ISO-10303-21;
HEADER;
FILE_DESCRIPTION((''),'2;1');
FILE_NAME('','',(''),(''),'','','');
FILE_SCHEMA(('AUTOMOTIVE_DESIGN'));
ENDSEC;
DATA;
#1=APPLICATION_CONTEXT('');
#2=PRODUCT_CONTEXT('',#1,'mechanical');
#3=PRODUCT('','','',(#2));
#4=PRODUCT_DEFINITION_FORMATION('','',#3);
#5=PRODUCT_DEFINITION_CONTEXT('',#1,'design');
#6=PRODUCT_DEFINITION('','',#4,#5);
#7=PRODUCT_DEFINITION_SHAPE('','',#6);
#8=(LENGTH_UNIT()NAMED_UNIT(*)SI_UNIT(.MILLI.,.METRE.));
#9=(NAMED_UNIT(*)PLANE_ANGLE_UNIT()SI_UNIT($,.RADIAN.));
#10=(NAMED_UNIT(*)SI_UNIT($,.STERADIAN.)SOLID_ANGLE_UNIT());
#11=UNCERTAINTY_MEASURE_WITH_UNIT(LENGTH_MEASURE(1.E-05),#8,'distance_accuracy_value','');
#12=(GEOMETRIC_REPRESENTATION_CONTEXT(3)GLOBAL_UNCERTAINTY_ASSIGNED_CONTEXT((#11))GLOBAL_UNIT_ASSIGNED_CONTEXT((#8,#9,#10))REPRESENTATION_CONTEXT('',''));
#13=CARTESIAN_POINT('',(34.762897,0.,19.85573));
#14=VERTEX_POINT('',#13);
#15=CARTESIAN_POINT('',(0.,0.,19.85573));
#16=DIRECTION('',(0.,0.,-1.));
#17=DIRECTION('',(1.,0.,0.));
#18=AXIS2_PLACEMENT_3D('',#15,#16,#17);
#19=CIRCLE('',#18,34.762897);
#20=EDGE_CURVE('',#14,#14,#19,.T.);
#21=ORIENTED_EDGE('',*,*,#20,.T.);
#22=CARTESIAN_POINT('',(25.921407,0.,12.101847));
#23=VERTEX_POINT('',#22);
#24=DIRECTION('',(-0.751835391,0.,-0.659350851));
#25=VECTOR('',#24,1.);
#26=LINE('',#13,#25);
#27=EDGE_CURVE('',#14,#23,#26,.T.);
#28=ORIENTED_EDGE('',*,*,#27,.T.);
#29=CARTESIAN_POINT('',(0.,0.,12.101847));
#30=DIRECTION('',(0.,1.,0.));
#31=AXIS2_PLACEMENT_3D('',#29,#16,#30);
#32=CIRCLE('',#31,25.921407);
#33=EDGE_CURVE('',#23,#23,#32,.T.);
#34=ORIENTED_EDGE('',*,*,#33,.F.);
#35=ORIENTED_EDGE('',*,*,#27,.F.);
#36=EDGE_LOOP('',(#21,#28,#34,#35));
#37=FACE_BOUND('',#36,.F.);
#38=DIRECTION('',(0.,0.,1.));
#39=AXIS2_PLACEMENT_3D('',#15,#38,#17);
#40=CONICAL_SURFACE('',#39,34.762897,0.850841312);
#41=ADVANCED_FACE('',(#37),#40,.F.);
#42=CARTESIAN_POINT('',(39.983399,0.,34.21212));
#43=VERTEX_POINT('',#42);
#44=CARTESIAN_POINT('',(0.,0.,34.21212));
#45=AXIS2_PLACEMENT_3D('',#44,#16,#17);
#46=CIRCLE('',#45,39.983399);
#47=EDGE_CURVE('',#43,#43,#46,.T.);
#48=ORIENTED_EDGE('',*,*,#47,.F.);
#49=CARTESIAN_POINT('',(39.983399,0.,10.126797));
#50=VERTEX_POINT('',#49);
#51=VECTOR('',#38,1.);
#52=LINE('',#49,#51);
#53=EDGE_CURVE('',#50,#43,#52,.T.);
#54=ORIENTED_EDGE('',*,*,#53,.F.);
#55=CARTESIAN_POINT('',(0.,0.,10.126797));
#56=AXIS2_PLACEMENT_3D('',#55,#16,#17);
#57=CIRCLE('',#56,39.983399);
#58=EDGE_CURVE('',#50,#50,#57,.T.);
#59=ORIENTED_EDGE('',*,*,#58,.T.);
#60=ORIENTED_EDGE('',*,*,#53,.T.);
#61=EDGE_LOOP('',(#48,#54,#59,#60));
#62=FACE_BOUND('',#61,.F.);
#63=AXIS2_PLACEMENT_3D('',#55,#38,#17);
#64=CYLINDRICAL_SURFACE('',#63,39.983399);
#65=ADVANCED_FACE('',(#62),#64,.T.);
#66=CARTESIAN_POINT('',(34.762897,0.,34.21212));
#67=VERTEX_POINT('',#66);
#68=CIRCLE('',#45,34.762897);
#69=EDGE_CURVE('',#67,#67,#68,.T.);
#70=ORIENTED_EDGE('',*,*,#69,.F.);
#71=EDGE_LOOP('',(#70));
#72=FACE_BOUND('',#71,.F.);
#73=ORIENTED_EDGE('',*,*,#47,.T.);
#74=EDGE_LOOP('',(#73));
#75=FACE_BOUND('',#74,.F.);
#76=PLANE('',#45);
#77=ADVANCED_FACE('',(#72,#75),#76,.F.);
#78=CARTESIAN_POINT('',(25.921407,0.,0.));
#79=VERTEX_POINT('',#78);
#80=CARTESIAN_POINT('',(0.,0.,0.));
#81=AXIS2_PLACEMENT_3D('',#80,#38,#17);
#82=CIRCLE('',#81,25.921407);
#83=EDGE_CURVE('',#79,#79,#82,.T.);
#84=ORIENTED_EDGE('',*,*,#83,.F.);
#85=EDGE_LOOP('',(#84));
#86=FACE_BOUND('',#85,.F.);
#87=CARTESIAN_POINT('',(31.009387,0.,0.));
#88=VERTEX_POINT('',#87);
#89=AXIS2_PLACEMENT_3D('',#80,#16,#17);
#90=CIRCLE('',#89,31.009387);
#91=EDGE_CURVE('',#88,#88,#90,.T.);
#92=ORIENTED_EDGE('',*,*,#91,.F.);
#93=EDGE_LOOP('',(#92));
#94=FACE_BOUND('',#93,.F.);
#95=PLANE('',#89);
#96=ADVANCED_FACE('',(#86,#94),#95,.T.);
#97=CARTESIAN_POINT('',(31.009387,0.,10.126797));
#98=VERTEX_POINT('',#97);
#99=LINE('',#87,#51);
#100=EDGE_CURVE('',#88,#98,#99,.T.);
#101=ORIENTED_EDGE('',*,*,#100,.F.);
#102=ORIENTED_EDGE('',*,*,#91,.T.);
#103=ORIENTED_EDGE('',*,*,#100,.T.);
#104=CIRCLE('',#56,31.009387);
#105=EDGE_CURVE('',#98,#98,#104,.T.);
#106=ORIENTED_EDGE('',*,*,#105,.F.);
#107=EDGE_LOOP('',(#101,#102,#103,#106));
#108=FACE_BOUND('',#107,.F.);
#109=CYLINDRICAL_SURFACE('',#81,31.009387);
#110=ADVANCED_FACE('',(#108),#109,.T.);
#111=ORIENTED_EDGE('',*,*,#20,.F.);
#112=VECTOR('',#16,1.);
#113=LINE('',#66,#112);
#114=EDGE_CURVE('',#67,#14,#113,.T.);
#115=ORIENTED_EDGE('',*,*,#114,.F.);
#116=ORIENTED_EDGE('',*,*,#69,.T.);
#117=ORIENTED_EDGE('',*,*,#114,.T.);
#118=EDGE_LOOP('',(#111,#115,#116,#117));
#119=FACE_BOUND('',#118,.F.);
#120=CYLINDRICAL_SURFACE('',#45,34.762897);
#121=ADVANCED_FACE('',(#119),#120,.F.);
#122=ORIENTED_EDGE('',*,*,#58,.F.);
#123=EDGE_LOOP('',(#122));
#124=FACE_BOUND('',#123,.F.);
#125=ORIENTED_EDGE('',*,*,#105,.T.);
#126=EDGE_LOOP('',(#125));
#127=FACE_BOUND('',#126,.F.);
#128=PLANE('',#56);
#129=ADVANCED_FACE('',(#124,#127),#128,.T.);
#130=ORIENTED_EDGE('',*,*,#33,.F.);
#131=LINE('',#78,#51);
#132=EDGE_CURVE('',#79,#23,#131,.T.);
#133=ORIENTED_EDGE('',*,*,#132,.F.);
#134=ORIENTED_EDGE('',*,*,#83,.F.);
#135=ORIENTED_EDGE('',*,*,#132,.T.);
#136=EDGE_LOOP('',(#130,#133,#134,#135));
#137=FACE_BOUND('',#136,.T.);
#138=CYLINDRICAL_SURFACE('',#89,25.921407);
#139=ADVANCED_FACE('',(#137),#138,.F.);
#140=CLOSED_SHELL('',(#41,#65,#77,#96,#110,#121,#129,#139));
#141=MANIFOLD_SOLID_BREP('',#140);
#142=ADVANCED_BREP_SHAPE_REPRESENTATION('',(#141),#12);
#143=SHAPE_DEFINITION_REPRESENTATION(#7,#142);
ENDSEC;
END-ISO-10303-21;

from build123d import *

# Parameters (mm, degrees)
F2_R     = 25.921407
F3_DEPTH = 25


with BuildPart() as f1:
    # F0 (on Front) → F1 (revolve)
    with BuildSketch(Plane.XZ):
        Polygon((0, 10.126797), (0, 0), (31.009387, 0), (31.009387, 10.126797), (39.983399, 10.126797), (39.983399, 34.21212), (34.762897, 34.21212), (34.762897, 19.85573), (23.669325, 10.126797), align=None)
    revolve(axis=Axis((0, 0, 5.063399), (0, 0, -1)))

    # F2 (on Top) → F3 (cut)
    with BuildSketch(Plane.XY):
        Circle(F2_R)
    extrude(amount=F3_DEPTH, mode=Mode.SUBTRACT)


solid = f1.part
